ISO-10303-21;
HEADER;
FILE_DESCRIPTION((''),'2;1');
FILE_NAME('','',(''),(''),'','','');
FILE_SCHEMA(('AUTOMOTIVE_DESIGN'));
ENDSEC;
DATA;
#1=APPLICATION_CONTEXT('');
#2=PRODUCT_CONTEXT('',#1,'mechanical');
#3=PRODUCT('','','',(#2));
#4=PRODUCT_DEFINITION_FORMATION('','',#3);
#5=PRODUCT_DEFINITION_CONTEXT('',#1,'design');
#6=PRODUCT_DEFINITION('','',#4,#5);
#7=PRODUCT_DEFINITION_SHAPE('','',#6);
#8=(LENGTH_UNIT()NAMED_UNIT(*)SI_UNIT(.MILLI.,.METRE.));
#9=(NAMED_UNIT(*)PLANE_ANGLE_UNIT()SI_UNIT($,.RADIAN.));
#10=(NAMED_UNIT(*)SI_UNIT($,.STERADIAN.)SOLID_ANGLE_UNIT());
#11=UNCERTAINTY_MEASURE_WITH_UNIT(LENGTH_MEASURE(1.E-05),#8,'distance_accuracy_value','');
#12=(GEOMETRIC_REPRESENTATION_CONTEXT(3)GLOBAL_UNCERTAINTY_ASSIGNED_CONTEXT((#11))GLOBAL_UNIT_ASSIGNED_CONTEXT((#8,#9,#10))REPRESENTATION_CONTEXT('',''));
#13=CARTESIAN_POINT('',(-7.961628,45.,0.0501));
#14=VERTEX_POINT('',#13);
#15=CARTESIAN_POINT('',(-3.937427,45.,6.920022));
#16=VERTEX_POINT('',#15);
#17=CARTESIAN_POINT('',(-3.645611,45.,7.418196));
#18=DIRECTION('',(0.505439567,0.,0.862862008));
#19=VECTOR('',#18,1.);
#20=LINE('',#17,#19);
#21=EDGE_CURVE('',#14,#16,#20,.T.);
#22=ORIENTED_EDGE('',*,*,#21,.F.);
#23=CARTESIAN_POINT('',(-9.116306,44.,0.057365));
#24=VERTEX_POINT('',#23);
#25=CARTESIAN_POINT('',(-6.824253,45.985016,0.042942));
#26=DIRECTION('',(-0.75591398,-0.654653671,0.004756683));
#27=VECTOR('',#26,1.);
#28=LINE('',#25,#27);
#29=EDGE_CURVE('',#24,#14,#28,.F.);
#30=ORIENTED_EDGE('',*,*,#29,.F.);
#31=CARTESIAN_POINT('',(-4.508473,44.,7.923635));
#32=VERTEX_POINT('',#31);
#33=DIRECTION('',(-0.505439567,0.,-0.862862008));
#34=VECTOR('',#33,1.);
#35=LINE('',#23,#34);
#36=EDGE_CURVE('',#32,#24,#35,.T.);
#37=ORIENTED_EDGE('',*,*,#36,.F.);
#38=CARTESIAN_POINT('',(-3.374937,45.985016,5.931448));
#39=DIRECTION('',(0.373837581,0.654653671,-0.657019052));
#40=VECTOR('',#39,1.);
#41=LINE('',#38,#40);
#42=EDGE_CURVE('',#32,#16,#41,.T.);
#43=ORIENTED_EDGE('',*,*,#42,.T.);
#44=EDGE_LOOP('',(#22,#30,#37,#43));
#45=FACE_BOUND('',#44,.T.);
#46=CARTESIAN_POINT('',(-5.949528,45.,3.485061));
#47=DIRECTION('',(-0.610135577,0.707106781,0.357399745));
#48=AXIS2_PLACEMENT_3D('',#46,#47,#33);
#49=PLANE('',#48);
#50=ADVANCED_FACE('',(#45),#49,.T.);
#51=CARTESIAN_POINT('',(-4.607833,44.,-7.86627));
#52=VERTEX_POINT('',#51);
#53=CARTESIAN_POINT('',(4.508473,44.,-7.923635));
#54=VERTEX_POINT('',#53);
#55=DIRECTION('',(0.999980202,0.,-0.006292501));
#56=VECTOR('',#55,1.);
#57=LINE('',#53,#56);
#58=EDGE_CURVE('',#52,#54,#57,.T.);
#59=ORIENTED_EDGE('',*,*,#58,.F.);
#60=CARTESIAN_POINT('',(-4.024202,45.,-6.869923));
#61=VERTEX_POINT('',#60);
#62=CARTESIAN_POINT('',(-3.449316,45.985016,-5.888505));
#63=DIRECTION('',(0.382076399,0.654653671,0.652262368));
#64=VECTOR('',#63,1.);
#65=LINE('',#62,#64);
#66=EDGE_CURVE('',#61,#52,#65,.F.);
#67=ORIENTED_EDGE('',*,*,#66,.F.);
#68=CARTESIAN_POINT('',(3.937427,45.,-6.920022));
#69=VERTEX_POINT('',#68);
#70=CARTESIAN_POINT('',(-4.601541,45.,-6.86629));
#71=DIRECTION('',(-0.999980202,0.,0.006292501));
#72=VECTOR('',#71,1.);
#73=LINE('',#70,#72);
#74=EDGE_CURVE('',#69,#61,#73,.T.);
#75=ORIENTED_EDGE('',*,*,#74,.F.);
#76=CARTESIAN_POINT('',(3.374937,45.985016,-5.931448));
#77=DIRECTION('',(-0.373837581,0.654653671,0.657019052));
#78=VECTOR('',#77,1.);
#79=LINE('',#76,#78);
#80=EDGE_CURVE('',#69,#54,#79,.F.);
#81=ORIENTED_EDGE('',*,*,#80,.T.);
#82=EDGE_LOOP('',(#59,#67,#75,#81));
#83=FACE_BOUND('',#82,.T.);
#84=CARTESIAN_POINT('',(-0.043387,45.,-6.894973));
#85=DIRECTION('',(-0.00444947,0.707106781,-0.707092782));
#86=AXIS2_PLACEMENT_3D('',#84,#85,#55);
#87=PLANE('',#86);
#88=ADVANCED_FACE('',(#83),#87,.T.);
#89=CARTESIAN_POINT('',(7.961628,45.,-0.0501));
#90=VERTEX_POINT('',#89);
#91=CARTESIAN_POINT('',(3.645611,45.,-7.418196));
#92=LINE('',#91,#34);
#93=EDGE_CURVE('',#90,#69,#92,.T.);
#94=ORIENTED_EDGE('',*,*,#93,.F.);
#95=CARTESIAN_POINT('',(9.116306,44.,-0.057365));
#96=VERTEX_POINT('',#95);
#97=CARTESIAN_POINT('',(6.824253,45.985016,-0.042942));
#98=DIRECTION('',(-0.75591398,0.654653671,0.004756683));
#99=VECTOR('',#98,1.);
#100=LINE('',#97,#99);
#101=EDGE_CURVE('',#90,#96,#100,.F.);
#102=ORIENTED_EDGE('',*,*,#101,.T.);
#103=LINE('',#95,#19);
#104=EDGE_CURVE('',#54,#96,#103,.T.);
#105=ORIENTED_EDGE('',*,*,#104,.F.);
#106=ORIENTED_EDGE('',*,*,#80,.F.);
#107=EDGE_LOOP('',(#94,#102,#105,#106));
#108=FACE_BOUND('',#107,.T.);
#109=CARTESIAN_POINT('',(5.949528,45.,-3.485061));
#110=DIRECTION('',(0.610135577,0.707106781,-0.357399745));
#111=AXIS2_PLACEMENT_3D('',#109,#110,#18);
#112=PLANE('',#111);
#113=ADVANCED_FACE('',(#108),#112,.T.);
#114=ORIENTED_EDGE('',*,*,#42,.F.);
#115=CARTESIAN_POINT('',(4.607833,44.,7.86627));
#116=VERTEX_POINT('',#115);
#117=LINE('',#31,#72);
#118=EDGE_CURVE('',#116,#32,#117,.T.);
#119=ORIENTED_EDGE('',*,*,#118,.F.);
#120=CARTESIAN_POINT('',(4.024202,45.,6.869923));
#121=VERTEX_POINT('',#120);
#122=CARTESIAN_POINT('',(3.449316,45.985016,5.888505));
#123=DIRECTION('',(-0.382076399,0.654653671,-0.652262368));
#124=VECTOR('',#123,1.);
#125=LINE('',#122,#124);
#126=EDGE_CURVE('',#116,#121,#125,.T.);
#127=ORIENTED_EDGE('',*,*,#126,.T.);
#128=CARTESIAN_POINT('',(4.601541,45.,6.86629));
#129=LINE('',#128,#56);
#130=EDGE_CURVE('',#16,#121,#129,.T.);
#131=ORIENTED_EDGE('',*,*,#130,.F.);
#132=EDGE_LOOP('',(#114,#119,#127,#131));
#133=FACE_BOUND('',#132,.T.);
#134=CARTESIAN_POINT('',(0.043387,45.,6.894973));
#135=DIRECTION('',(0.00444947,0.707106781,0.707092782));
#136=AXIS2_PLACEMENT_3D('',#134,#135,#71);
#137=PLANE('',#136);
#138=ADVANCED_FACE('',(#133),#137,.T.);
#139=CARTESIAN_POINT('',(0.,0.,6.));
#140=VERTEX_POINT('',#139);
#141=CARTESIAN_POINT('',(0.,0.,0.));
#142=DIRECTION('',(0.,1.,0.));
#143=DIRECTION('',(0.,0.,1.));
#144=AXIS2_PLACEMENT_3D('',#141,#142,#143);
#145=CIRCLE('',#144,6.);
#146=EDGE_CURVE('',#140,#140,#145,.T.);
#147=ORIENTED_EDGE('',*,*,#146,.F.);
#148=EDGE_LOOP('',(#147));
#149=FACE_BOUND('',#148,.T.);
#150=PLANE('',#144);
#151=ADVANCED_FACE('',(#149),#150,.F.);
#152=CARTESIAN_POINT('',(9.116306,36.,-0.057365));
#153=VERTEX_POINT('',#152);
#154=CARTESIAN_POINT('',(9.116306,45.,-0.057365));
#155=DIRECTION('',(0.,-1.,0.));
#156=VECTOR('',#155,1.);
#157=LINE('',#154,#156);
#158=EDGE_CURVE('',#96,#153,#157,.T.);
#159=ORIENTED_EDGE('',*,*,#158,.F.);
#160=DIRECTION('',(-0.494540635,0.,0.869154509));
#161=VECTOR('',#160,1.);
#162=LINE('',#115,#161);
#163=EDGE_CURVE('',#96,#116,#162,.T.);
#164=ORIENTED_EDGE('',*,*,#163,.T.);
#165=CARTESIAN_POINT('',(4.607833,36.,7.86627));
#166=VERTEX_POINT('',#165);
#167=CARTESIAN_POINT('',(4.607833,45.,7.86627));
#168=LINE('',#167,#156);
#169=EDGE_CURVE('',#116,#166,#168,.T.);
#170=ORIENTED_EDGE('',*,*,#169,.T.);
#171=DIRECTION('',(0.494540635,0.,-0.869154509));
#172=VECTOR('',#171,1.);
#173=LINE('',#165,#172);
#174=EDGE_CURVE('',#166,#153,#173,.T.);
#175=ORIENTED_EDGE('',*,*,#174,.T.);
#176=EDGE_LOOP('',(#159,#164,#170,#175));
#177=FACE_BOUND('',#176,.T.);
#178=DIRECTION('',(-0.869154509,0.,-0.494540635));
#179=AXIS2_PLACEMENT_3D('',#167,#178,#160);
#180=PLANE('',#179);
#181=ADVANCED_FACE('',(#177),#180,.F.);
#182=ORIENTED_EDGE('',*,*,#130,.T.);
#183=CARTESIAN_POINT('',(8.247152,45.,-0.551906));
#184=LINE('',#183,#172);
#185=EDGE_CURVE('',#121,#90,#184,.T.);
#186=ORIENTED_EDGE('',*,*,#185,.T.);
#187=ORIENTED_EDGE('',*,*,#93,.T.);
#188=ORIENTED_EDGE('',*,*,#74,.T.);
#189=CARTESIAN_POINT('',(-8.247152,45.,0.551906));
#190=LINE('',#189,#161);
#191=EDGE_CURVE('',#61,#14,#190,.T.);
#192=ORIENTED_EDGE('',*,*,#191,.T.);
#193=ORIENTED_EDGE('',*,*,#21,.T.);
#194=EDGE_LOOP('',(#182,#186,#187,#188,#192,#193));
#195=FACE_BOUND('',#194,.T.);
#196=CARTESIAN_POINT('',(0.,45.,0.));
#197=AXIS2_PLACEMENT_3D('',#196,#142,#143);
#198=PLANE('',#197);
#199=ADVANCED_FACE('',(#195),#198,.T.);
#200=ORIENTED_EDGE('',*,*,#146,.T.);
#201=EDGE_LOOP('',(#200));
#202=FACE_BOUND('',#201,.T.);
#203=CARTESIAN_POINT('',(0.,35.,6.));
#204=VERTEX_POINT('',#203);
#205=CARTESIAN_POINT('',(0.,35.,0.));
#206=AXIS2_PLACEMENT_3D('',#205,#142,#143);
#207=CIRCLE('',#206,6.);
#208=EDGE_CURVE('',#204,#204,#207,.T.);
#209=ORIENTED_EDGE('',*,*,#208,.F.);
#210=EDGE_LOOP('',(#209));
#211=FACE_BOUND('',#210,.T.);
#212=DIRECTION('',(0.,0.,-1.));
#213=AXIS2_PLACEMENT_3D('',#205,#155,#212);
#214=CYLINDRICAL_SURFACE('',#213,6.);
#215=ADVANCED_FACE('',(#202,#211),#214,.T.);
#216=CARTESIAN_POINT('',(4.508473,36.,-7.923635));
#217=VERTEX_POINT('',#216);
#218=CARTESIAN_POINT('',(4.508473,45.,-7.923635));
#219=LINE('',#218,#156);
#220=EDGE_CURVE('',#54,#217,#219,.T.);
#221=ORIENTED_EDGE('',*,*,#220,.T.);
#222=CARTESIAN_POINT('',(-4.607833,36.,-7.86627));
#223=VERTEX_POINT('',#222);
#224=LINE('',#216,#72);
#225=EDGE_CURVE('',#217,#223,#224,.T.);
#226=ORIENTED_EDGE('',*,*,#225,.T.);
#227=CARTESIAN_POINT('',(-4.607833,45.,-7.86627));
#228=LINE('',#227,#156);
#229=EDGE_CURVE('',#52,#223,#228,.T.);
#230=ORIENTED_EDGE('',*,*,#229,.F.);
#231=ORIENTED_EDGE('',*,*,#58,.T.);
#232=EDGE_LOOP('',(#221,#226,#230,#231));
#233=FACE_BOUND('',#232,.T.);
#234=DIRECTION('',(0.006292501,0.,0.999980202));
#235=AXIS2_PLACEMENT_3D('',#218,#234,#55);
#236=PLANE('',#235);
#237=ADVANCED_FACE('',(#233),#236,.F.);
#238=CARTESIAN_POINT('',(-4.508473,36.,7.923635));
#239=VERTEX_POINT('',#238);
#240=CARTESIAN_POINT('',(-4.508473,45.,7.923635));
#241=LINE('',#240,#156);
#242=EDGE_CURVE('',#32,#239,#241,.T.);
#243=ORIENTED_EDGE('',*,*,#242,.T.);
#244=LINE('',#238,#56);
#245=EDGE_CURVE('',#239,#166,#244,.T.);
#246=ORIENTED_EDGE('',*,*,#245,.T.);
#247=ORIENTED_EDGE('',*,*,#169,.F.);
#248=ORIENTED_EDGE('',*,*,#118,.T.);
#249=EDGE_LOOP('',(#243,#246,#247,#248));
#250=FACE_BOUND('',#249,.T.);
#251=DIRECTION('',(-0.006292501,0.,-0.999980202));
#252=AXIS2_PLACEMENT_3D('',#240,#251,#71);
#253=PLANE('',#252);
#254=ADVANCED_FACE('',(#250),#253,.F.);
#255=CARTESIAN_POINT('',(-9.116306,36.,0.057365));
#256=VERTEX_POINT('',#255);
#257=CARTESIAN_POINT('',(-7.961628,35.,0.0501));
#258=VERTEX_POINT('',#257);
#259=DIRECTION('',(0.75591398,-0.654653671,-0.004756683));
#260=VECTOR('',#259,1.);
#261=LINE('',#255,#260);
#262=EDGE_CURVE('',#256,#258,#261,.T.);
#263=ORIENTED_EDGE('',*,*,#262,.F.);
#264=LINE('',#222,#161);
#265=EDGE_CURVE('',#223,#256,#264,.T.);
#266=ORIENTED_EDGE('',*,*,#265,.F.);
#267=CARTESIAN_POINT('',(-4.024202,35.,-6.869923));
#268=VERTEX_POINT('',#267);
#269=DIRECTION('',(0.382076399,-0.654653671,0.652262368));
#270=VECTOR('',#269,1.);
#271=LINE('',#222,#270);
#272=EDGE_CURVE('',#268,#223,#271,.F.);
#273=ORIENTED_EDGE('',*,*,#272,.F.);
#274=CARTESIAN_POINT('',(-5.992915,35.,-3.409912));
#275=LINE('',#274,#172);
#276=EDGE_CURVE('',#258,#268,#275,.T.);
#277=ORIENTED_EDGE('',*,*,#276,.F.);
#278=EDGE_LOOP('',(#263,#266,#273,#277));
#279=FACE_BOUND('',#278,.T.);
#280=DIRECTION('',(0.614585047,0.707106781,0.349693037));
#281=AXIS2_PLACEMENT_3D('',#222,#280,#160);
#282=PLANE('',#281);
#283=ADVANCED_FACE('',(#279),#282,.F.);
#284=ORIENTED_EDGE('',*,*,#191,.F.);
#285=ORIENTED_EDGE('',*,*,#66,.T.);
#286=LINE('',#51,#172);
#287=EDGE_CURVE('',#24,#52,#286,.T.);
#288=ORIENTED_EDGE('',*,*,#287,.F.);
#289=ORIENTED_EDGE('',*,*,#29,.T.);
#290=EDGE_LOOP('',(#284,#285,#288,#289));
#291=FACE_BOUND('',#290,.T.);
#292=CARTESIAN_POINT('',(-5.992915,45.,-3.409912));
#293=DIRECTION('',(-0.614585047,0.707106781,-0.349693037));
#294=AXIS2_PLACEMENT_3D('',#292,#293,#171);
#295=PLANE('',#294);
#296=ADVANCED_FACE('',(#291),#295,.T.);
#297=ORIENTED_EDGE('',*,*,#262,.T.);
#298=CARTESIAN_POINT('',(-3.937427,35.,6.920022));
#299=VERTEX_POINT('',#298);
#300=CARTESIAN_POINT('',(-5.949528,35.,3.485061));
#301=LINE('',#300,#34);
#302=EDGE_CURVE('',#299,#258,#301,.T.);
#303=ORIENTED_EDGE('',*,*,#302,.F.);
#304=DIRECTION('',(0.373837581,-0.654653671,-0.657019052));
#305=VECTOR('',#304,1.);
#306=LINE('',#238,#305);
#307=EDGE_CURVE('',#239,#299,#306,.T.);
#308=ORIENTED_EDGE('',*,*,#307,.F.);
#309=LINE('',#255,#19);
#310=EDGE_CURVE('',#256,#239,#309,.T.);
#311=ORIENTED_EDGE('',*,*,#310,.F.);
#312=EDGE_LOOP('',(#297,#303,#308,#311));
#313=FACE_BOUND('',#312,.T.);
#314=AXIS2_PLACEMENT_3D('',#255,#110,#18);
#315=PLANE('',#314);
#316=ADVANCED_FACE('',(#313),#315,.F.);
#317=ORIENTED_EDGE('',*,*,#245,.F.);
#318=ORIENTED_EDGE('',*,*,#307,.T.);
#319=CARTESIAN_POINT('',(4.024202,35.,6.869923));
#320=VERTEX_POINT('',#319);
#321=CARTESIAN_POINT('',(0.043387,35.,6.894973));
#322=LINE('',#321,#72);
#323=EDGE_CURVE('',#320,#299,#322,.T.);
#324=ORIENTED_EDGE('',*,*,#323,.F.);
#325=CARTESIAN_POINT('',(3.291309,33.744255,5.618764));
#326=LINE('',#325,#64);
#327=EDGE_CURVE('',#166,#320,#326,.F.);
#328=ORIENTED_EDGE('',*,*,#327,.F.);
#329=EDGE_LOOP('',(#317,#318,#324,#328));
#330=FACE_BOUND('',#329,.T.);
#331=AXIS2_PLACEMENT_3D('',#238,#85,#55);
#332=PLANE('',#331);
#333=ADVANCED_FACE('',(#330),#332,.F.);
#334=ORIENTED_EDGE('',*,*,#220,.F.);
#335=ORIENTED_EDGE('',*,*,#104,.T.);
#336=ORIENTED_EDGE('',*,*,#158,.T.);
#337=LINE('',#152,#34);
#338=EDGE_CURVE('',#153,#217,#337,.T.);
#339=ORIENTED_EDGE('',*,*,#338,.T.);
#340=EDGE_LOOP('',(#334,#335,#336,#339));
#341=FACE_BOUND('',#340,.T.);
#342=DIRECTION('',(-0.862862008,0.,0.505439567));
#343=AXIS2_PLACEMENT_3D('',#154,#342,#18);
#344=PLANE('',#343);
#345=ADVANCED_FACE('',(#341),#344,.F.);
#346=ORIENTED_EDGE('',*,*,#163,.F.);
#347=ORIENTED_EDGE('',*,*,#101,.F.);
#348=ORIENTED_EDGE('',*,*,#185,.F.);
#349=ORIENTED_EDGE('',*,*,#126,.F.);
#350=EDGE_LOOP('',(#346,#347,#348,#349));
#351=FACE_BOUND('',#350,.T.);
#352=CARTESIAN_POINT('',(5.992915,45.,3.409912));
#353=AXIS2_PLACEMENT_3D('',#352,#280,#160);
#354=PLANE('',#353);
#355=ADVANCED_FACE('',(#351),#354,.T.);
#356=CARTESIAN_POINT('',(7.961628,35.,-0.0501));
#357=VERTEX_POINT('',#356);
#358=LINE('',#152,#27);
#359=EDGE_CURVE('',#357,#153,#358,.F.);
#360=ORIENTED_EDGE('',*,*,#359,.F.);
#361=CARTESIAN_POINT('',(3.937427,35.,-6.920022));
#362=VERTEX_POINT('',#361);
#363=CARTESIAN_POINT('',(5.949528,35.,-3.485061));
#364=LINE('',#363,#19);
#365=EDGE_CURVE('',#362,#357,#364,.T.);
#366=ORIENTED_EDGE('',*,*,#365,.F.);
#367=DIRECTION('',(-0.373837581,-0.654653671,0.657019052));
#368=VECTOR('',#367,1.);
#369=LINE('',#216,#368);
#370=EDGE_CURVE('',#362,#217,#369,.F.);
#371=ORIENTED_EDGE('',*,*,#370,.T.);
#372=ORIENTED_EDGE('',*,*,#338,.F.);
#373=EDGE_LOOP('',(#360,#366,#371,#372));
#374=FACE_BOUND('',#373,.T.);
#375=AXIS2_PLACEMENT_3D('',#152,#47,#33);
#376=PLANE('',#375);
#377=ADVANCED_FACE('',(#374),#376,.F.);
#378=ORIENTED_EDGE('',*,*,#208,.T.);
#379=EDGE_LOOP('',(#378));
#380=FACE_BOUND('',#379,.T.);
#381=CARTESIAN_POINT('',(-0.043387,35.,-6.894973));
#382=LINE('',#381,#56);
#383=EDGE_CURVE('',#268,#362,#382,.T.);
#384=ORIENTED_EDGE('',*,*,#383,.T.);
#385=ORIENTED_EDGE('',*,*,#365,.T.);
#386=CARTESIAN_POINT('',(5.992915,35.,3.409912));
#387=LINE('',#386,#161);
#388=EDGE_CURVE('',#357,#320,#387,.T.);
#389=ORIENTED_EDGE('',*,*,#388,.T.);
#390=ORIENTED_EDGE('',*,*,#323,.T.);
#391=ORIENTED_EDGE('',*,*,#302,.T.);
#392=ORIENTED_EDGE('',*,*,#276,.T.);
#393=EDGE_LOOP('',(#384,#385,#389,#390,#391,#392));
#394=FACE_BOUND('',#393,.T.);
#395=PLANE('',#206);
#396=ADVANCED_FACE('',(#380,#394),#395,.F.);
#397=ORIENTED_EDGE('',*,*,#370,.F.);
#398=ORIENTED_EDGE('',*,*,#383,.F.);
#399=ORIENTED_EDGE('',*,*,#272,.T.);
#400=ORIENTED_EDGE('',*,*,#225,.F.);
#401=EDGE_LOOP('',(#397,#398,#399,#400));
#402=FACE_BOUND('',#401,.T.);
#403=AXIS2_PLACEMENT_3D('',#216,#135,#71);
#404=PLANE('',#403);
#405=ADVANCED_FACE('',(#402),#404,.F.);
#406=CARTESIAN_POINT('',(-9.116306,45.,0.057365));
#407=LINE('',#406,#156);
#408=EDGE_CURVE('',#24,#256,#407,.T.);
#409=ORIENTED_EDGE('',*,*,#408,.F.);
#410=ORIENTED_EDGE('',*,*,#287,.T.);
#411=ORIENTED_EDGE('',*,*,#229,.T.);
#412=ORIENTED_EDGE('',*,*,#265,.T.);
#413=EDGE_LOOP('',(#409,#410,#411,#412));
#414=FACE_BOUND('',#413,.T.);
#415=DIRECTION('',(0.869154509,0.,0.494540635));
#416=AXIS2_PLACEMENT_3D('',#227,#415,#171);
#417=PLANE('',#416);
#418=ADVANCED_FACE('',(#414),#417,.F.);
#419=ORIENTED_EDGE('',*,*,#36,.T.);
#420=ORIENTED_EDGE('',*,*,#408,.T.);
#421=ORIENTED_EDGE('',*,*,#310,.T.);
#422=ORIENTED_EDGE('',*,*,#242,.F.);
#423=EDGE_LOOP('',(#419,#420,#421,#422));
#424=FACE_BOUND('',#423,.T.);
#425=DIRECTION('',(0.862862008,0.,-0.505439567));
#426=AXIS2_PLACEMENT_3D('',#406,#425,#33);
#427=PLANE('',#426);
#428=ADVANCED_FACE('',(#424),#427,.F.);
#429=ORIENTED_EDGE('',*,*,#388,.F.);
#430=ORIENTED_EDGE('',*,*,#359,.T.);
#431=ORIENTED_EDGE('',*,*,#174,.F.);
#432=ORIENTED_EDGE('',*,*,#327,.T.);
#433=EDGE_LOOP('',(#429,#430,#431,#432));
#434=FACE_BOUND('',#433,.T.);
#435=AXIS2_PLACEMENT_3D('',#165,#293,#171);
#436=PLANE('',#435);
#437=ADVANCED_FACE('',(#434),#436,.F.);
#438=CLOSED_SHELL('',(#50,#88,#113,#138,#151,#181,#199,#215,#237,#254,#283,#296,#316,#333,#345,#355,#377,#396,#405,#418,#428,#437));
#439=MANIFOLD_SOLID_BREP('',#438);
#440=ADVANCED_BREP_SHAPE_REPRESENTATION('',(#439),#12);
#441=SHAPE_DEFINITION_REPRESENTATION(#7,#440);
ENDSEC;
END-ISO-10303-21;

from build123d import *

# Parameters (mm, degrees)
CROQUIS2_R              = 6
SALIENTE_EXTRUIR1_DEPTH = 35
SALIENTE_EXTRUIR2_DEPTH = 10
CHAFL_N1_SIZE           = 1


with BuildPart() as part:
    # Croquis2 → Saliente-Extruir1 (new body)
    with BuildSketch(Plane(origin=(0, 0, 0), x_dir=(1, 0, 0), z_dir=(0, 1, 0))):
        with Locations(Location((0, 0, 0), (0, 0, 270))):
            Circle(CROQUIS2_R)
    extrude(amount=SALIENTE_EXTRUIR1_DEPTH)

    # Croquis3 → Saliente-Extruir2 (add)
    with BuildSketch(Plane(origin=(0, 35, 0), x_dir=(1, 0, 0), z_dir=(0, 1, 0))):
        Polygon((4.607833062, -7.866269978), (9.116306165, 0.057365499), (4.508473103, 7.923635477), (-4.607833062, 7.866269978), (-9.116306165, -0.057365499), (-4.508473103, -7.923635477), align=None)
    extrude(amount=SALIENTE_EXTRUIR2_DEPTH)

    # Chaflán1
    chafl_n1_edges = [part.edges().sort_by_distance(p)[0] for p in [
        (0.04967998, 35, 7.894952727),
        (6.862069613, 35, 3.904452239),
        (6.812389634, 35, -3.990500488),
        (-0.04967998, 35, -7.894952727),
        (-6.862069613, 35, -3.904452239),
        (-6.812389634, 35, 3.990500488),
        (0.04967998, 45, 7.894952727),
        (6.862069613, 45, 3.904452239),
        (6.812389634, 45, -3.990500488),
        (-0.04967998, 45, -7.894952727),
        (-6.862069613, 45, -3.904452239),
        (-6.812389634, 45, 3.990500488),
    ]]
    chamfer(chafl_n1_edges, length=CHAFL_N1_SIZE)


solid = part.part
